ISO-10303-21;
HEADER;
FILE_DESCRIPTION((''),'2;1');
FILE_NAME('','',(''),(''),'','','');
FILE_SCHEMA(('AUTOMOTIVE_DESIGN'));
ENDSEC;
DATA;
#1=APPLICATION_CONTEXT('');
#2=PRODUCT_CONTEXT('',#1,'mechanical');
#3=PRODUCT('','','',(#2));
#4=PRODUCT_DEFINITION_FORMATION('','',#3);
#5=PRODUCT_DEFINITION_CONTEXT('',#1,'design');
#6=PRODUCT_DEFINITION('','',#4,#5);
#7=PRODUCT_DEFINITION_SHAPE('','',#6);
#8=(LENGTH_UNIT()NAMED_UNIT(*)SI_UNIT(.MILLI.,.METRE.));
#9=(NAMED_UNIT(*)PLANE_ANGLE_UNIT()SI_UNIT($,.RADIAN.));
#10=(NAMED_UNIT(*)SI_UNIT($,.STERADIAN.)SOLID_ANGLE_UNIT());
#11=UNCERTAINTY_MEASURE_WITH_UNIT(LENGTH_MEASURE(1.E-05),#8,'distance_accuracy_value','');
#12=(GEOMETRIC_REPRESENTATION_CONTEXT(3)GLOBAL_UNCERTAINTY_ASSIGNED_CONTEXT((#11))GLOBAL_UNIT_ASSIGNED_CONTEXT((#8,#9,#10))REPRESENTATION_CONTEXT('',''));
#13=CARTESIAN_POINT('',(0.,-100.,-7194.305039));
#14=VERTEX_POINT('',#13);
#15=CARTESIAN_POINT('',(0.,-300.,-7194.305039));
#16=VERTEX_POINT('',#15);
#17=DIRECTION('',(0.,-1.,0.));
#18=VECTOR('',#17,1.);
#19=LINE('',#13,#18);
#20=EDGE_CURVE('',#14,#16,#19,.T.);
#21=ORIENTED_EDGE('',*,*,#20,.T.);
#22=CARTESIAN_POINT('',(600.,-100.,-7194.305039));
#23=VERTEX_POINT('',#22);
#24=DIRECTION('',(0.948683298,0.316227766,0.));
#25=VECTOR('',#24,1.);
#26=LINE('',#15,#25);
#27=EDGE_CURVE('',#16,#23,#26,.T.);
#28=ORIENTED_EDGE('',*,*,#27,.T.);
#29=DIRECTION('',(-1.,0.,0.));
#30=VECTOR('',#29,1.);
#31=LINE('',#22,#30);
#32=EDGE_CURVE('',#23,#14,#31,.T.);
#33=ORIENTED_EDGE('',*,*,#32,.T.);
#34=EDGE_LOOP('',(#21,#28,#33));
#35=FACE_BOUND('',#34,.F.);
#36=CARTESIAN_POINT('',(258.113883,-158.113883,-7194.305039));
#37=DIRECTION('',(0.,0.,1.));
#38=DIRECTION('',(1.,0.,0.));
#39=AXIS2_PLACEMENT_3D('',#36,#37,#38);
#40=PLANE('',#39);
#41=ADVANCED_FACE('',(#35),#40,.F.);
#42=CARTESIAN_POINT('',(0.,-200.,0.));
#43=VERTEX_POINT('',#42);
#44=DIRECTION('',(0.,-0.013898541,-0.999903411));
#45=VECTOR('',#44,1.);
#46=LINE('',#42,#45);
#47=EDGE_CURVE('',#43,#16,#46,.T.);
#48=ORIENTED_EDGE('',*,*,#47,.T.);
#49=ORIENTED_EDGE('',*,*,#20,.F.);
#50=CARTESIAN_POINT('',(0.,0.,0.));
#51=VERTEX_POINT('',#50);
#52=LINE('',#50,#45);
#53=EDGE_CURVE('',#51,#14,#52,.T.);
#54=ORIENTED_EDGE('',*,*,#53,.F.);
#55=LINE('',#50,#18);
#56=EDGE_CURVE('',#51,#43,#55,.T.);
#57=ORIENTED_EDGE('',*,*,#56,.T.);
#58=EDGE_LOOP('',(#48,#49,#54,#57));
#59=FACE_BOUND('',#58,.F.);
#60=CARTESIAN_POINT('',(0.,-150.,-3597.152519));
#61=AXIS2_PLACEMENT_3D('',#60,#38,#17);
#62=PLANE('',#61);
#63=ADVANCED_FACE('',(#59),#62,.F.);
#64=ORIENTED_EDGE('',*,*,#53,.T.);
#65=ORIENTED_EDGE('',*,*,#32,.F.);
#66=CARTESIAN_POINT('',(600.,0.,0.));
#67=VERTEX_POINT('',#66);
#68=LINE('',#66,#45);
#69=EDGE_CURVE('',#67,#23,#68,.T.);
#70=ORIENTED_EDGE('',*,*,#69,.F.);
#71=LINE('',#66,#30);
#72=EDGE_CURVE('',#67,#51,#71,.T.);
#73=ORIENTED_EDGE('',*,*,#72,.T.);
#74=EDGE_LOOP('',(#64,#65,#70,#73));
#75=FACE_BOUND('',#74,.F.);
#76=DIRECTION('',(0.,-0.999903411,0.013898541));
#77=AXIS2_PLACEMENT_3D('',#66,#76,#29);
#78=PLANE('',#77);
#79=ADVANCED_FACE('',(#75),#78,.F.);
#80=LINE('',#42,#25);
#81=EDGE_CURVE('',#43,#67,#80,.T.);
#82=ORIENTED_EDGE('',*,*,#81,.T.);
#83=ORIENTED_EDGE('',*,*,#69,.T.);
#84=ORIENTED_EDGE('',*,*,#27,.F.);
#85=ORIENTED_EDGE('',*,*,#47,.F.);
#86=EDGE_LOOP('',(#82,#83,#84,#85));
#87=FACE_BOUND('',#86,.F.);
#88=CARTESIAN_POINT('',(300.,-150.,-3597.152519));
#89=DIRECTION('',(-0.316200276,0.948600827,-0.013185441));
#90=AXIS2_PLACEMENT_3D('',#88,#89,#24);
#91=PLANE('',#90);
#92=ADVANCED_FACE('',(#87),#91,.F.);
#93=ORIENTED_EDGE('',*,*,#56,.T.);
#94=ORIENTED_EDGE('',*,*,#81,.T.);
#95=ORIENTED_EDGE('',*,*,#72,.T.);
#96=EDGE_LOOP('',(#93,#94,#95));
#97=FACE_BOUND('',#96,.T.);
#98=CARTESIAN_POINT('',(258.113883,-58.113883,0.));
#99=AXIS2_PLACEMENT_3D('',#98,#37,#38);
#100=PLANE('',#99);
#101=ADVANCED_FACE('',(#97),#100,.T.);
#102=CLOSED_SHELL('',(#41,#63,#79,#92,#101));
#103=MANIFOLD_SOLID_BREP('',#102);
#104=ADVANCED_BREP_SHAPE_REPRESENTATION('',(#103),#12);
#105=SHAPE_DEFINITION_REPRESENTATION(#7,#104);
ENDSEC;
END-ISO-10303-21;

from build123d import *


with BuildPart() as f2:
    # F2: sweep along a path in F1
    with BuildLine(Plane.YZ) as f2_path:
        Line((0, 0), (-100, -7194.305039))
    # F0 (on Top) → F2 (sweep)
    with BuildSketch(Plane.XY):
        Polygon((600, 0), (0, 0), (0, -200), align=None)
    sweep(path=f2_path.line)


solid = f2.part
